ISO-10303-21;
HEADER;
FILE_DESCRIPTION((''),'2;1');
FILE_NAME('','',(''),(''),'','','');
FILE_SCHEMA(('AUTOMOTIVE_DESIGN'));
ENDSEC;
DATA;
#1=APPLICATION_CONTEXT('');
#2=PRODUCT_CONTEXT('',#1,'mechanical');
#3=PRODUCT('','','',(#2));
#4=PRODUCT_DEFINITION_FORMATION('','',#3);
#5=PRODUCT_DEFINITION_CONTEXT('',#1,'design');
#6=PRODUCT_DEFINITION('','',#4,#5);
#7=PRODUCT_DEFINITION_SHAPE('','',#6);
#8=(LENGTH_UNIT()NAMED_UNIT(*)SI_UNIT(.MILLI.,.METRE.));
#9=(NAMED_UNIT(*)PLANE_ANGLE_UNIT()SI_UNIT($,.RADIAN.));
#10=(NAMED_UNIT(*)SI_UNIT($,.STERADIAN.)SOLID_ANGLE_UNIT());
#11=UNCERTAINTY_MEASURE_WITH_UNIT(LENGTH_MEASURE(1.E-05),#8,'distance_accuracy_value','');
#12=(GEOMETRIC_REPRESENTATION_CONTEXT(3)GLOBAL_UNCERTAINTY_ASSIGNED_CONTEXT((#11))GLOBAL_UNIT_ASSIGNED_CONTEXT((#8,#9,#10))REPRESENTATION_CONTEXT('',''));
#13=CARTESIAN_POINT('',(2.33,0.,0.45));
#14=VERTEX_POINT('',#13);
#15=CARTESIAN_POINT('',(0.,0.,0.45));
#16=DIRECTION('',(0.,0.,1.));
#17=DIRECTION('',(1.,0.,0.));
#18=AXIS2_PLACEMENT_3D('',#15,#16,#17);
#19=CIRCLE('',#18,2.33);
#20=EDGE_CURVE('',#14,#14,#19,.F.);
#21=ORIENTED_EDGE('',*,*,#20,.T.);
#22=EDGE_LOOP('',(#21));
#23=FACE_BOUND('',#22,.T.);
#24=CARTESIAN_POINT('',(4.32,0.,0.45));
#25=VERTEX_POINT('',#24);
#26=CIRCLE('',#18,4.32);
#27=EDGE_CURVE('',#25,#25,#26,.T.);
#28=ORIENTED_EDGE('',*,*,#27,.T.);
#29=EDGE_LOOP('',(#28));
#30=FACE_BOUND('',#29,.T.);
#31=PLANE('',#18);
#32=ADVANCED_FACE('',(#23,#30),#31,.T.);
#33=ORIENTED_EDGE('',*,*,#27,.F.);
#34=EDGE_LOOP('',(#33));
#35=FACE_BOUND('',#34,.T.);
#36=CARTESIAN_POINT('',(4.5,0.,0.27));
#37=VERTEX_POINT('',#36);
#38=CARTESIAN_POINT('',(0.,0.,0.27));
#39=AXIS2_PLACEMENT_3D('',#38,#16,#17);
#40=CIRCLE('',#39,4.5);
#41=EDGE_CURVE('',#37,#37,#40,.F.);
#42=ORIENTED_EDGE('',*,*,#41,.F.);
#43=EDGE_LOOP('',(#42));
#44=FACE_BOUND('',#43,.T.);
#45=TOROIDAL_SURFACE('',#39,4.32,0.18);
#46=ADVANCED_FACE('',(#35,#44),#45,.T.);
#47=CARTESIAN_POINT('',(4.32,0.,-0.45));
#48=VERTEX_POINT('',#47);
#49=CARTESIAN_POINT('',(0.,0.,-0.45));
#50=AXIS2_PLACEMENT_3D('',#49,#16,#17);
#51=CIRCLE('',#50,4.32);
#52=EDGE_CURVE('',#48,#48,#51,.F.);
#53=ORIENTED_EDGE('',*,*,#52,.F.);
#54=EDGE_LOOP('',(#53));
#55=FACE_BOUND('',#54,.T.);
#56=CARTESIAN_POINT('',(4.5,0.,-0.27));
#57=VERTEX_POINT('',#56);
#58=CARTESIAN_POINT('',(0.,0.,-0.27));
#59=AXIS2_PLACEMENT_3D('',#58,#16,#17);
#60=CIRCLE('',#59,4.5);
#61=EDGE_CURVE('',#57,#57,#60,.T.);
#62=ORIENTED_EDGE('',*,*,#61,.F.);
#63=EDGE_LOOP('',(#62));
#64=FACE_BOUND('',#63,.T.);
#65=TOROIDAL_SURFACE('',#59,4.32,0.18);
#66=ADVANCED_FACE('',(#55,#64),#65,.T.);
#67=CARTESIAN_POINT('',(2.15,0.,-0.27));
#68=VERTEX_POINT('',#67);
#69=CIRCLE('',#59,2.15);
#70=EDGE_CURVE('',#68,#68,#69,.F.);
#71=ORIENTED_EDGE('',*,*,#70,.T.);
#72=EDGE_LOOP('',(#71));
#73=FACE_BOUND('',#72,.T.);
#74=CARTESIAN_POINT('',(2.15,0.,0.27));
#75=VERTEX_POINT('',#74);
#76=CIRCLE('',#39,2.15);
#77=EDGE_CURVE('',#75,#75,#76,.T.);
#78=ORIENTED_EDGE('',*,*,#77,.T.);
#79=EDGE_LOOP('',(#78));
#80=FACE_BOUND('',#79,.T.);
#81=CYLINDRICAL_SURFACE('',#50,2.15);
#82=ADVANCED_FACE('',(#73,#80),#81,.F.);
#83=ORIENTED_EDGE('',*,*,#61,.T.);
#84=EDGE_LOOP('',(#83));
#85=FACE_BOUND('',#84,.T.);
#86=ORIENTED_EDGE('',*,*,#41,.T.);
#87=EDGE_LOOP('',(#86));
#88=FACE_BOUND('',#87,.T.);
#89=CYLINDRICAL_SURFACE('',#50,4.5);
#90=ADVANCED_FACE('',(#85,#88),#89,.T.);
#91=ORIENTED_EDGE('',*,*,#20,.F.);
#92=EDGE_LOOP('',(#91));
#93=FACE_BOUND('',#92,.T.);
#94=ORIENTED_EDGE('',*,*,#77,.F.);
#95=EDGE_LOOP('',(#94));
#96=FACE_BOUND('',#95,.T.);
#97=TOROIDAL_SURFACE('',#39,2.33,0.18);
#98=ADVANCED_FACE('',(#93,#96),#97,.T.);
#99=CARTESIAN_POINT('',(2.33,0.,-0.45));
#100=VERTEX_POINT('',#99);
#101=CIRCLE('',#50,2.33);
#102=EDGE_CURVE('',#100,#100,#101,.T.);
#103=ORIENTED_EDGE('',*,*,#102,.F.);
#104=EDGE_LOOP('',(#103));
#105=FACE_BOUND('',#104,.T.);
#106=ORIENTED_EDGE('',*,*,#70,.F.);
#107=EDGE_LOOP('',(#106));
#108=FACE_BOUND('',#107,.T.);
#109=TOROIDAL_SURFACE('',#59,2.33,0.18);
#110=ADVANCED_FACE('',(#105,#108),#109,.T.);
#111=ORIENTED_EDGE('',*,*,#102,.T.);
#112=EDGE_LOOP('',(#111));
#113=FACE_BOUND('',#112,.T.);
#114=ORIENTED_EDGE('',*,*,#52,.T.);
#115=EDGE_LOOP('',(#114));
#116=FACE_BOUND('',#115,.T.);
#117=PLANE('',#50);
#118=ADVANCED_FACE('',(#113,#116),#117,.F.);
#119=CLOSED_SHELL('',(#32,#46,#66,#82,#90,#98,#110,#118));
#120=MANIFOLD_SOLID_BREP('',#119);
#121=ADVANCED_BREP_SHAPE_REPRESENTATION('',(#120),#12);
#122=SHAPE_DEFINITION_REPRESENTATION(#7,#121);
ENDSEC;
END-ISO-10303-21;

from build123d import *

# Parameters (mm, degrees)
BOSS_EXTRUDE1_DEPTH      = 0.45
BOSS_EXTRUDE1_DEPTH_BACK = 0.45
SKETCH3_R                = 4.5
SKETCH3_R_2              = 2.15
FILLET1_R                = 0.18


with BuildPart() as part:
    # Sketch3 → Boss-Extrude1 (new, two sides: drawn at the far end of the back side and taken through both)
    with BuildSketch(Plane.XY.offset(-BOSS_EXTRUDE1_DEPTH_BACK)):
        Circle(SKETCH3_R)
        Circle(SKETCH3_R_2, mode=Mode.SUBTRACT)
    extrude(amount=BOSS_EXTRUDE1_DEPTH + BOSS_EXTRUDE1_DEPTH_BACK)

    # Fillet1
    fillet1_edges = [part.edges().sort_by_distance(p)[0] for p in [
        (-4.5, 0, -0.45),
        (-2.15, 0, -0.45),
        (-4.5, 0, 0.45),
        (-2.15, 0, 0.45),
    ]]
    fillet(fillet1_edges, radius=FILLET1_R)


solid = part.part
